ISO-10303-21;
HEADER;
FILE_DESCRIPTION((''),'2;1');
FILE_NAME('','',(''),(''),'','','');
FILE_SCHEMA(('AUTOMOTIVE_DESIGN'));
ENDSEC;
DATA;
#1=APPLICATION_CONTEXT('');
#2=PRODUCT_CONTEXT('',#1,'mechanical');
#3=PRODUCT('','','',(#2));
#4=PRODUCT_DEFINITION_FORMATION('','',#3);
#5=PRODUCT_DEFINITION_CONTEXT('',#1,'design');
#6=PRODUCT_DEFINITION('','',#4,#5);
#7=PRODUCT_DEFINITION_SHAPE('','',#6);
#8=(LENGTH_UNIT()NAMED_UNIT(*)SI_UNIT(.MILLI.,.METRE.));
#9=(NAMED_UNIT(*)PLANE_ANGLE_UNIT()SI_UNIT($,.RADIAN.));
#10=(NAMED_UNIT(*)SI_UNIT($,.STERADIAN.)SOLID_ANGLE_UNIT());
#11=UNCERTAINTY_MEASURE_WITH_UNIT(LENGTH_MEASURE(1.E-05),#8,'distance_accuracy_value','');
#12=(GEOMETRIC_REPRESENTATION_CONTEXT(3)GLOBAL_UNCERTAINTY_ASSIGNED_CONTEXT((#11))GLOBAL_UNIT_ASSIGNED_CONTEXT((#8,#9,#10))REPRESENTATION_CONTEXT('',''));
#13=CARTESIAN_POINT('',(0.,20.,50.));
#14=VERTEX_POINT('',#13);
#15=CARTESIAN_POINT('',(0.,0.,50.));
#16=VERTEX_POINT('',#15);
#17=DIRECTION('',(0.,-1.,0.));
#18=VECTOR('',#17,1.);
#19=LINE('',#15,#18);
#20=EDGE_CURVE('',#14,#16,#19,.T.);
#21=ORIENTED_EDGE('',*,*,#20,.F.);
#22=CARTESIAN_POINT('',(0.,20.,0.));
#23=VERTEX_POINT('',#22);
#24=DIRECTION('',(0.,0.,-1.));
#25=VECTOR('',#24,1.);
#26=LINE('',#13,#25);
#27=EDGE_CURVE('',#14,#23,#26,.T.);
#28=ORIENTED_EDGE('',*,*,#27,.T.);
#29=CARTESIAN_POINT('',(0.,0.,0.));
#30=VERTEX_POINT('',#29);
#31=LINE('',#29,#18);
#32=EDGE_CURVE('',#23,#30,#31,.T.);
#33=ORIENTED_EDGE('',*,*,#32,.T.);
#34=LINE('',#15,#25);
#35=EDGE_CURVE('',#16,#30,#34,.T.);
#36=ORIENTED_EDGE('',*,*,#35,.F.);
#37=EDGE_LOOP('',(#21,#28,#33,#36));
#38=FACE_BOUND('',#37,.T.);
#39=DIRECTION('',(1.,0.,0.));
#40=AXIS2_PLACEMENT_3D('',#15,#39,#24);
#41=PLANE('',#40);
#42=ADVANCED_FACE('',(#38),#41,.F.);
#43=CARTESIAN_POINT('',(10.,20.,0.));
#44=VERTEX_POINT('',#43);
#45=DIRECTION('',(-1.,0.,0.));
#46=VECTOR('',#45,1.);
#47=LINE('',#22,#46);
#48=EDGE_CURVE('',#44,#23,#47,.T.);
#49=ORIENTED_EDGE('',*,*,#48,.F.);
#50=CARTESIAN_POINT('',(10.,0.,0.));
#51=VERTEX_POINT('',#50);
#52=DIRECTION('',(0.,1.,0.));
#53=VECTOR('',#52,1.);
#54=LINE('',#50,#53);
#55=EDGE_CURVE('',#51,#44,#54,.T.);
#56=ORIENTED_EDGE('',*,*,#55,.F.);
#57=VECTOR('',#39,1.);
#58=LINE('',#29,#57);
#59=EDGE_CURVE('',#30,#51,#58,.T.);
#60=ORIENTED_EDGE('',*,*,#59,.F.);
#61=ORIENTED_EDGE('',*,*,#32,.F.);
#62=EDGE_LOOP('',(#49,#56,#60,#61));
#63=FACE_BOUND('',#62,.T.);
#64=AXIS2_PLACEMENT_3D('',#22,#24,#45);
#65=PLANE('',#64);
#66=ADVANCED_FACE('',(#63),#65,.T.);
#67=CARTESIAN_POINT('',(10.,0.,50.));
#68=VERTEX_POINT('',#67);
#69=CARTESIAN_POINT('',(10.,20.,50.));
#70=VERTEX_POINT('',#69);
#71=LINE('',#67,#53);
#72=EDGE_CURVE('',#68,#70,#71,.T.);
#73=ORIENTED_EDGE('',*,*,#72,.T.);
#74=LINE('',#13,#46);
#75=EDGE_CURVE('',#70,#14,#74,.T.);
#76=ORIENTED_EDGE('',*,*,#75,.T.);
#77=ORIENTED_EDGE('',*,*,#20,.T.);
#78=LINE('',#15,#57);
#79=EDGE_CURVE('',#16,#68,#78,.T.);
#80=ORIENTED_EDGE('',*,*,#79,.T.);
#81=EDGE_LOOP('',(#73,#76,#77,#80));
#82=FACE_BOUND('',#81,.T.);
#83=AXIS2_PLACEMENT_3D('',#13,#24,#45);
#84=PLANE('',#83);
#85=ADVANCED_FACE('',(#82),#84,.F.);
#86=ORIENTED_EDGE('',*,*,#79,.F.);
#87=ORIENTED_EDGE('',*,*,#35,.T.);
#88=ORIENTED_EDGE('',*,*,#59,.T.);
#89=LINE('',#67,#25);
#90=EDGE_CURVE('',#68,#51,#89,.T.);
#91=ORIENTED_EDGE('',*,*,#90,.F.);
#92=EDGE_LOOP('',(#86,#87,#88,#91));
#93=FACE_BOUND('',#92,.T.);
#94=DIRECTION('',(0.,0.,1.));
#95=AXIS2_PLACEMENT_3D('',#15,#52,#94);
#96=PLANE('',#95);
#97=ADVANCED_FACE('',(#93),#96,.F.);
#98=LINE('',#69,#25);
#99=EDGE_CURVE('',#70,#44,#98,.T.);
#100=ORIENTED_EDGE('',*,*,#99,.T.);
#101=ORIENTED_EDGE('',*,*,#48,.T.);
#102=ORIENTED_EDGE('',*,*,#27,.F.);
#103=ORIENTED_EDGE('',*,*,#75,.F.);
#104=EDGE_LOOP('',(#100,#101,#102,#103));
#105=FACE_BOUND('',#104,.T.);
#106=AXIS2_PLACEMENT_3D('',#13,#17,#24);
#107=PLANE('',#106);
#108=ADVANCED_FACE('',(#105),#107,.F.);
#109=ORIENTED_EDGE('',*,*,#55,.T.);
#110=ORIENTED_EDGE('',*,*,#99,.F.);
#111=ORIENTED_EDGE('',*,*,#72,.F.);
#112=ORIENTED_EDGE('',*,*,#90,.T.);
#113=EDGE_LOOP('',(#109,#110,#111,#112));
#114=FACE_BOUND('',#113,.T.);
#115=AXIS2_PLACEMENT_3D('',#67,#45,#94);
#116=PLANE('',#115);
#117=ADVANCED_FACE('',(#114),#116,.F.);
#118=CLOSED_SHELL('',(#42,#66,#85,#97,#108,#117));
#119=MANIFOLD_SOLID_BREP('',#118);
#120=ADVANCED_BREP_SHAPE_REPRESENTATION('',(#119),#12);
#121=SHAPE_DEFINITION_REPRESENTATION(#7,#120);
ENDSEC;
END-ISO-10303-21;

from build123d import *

# Parameters (mm, degrees)
SKIZZE1_W               = 10
SKIZZE1_H               = 20
LINEAR_AUSTRAGEN1_DEPTH = 50


with BuildPart() as part:
    # Skizze1 → Linear austragen1 (new body)
    with BuildSketch(Plane.XY):
        with Locations((5, 10)):
            Rectangle(SKIZZE1_W, SKIZZE1_H)
    extrude(amount=LINEAR_AUSTRAGEN1_DEPTH)


solid = part.part
